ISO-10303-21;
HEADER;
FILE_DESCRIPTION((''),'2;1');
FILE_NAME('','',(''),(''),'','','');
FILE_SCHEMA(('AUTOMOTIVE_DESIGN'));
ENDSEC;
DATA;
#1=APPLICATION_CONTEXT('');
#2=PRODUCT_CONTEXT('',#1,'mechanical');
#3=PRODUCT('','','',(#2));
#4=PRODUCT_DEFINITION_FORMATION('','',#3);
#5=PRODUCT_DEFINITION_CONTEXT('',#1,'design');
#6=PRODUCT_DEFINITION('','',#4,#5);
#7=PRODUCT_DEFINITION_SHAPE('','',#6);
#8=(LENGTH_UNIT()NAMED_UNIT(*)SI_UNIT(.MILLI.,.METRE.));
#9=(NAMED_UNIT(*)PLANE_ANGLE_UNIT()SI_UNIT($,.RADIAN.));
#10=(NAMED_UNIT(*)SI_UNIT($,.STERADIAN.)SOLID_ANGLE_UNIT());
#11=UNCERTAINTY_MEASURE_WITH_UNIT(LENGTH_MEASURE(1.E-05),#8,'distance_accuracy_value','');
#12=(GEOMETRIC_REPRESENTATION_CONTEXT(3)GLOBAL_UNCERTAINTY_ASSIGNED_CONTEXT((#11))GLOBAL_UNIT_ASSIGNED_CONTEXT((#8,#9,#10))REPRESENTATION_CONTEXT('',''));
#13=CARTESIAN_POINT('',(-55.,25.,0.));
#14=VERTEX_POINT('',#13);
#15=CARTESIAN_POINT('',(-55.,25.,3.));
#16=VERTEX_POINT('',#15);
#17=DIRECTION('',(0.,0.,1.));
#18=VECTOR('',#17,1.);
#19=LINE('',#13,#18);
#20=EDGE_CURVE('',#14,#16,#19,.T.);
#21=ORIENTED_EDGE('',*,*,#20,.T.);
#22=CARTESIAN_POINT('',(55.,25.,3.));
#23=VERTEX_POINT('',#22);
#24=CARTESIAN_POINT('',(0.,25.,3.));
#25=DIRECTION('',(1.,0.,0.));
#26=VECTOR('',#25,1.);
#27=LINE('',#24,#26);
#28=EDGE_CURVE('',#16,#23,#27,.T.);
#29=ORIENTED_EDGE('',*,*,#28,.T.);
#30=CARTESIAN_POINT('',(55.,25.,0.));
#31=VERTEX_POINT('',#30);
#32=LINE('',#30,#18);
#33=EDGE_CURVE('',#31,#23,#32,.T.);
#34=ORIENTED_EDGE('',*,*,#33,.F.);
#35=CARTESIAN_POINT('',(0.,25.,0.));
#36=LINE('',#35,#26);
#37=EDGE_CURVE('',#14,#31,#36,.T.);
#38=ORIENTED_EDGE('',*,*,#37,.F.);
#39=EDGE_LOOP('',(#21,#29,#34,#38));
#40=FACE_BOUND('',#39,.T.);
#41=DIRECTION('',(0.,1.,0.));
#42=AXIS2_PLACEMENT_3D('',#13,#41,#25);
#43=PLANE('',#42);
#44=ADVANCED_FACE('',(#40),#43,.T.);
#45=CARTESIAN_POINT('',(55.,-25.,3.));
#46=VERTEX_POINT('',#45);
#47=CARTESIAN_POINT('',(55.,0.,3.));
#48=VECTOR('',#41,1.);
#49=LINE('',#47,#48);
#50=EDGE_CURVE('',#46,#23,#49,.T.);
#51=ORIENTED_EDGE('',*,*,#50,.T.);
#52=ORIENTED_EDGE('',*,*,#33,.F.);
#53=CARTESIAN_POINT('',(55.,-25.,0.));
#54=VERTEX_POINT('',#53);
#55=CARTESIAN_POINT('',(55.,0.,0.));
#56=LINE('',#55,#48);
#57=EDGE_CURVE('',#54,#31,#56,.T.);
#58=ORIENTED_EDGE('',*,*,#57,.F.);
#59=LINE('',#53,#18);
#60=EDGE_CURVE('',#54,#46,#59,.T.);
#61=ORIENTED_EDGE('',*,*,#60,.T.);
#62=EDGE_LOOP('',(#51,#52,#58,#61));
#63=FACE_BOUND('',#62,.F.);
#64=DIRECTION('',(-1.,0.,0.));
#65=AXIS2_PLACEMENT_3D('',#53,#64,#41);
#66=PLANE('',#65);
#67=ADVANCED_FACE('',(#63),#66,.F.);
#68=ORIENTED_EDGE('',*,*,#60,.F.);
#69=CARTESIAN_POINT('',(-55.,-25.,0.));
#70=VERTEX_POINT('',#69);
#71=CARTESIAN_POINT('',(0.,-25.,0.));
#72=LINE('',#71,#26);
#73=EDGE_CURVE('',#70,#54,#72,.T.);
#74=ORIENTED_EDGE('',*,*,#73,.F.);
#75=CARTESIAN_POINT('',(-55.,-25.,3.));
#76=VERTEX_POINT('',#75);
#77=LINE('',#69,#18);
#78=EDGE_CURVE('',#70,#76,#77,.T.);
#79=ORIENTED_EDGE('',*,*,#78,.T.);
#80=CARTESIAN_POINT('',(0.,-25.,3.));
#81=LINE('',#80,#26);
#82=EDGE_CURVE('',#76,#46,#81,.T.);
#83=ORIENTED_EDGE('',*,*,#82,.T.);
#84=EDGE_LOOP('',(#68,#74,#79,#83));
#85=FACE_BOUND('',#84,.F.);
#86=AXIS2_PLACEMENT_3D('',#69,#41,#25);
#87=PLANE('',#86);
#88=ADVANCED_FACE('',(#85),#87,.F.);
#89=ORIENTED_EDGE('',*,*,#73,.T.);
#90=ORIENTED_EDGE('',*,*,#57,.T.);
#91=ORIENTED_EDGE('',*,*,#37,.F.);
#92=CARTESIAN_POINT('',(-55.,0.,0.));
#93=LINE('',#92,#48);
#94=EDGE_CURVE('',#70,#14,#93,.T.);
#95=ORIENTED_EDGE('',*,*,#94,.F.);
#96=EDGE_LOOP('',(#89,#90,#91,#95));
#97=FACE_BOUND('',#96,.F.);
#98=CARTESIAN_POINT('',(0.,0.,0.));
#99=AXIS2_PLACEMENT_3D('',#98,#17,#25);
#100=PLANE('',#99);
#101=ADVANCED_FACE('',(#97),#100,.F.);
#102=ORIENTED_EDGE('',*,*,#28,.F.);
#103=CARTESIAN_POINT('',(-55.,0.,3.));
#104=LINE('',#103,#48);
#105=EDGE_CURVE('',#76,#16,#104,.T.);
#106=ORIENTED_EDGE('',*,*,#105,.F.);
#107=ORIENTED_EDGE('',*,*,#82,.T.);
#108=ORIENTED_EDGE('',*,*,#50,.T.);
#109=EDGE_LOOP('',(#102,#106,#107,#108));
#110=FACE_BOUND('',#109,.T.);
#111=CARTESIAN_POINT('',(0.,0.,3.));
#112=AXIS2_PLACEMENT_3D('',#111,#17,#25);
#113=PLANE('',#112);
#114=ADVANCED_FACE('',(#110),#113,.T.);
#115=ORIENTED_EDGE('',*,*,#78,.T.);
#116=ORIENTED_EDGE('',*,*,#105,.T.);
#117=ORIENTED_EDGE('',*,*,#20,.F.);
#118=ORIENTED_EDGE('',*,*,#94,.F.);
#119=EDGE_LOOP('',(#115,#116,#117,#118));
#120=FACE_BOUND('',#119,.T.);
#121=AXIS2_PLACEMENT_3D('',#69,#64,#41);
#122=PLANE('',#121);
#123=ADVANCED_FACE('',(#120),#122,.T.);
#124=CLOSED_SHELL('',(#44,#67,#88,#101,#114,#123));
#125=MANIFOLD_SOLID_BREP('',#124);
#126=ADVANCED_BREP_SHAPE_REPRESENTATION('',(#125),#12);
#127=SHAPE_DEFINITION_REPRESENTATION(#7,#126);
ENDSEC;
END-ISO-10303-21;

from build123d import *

# Parameters (mm, degrees)
SKETCH_W  = 110
SKETCH_H  = 50
PAD_DEPTH = 3


with BuildPart() as part:
    # Sketch → Pad (new body)
    with BuildSketch(Plane.XY):
        Rectangle(SKETCH_W, SKETCH_H)
    extrude(amount=PAD_DEPTH)


solid = part.part
